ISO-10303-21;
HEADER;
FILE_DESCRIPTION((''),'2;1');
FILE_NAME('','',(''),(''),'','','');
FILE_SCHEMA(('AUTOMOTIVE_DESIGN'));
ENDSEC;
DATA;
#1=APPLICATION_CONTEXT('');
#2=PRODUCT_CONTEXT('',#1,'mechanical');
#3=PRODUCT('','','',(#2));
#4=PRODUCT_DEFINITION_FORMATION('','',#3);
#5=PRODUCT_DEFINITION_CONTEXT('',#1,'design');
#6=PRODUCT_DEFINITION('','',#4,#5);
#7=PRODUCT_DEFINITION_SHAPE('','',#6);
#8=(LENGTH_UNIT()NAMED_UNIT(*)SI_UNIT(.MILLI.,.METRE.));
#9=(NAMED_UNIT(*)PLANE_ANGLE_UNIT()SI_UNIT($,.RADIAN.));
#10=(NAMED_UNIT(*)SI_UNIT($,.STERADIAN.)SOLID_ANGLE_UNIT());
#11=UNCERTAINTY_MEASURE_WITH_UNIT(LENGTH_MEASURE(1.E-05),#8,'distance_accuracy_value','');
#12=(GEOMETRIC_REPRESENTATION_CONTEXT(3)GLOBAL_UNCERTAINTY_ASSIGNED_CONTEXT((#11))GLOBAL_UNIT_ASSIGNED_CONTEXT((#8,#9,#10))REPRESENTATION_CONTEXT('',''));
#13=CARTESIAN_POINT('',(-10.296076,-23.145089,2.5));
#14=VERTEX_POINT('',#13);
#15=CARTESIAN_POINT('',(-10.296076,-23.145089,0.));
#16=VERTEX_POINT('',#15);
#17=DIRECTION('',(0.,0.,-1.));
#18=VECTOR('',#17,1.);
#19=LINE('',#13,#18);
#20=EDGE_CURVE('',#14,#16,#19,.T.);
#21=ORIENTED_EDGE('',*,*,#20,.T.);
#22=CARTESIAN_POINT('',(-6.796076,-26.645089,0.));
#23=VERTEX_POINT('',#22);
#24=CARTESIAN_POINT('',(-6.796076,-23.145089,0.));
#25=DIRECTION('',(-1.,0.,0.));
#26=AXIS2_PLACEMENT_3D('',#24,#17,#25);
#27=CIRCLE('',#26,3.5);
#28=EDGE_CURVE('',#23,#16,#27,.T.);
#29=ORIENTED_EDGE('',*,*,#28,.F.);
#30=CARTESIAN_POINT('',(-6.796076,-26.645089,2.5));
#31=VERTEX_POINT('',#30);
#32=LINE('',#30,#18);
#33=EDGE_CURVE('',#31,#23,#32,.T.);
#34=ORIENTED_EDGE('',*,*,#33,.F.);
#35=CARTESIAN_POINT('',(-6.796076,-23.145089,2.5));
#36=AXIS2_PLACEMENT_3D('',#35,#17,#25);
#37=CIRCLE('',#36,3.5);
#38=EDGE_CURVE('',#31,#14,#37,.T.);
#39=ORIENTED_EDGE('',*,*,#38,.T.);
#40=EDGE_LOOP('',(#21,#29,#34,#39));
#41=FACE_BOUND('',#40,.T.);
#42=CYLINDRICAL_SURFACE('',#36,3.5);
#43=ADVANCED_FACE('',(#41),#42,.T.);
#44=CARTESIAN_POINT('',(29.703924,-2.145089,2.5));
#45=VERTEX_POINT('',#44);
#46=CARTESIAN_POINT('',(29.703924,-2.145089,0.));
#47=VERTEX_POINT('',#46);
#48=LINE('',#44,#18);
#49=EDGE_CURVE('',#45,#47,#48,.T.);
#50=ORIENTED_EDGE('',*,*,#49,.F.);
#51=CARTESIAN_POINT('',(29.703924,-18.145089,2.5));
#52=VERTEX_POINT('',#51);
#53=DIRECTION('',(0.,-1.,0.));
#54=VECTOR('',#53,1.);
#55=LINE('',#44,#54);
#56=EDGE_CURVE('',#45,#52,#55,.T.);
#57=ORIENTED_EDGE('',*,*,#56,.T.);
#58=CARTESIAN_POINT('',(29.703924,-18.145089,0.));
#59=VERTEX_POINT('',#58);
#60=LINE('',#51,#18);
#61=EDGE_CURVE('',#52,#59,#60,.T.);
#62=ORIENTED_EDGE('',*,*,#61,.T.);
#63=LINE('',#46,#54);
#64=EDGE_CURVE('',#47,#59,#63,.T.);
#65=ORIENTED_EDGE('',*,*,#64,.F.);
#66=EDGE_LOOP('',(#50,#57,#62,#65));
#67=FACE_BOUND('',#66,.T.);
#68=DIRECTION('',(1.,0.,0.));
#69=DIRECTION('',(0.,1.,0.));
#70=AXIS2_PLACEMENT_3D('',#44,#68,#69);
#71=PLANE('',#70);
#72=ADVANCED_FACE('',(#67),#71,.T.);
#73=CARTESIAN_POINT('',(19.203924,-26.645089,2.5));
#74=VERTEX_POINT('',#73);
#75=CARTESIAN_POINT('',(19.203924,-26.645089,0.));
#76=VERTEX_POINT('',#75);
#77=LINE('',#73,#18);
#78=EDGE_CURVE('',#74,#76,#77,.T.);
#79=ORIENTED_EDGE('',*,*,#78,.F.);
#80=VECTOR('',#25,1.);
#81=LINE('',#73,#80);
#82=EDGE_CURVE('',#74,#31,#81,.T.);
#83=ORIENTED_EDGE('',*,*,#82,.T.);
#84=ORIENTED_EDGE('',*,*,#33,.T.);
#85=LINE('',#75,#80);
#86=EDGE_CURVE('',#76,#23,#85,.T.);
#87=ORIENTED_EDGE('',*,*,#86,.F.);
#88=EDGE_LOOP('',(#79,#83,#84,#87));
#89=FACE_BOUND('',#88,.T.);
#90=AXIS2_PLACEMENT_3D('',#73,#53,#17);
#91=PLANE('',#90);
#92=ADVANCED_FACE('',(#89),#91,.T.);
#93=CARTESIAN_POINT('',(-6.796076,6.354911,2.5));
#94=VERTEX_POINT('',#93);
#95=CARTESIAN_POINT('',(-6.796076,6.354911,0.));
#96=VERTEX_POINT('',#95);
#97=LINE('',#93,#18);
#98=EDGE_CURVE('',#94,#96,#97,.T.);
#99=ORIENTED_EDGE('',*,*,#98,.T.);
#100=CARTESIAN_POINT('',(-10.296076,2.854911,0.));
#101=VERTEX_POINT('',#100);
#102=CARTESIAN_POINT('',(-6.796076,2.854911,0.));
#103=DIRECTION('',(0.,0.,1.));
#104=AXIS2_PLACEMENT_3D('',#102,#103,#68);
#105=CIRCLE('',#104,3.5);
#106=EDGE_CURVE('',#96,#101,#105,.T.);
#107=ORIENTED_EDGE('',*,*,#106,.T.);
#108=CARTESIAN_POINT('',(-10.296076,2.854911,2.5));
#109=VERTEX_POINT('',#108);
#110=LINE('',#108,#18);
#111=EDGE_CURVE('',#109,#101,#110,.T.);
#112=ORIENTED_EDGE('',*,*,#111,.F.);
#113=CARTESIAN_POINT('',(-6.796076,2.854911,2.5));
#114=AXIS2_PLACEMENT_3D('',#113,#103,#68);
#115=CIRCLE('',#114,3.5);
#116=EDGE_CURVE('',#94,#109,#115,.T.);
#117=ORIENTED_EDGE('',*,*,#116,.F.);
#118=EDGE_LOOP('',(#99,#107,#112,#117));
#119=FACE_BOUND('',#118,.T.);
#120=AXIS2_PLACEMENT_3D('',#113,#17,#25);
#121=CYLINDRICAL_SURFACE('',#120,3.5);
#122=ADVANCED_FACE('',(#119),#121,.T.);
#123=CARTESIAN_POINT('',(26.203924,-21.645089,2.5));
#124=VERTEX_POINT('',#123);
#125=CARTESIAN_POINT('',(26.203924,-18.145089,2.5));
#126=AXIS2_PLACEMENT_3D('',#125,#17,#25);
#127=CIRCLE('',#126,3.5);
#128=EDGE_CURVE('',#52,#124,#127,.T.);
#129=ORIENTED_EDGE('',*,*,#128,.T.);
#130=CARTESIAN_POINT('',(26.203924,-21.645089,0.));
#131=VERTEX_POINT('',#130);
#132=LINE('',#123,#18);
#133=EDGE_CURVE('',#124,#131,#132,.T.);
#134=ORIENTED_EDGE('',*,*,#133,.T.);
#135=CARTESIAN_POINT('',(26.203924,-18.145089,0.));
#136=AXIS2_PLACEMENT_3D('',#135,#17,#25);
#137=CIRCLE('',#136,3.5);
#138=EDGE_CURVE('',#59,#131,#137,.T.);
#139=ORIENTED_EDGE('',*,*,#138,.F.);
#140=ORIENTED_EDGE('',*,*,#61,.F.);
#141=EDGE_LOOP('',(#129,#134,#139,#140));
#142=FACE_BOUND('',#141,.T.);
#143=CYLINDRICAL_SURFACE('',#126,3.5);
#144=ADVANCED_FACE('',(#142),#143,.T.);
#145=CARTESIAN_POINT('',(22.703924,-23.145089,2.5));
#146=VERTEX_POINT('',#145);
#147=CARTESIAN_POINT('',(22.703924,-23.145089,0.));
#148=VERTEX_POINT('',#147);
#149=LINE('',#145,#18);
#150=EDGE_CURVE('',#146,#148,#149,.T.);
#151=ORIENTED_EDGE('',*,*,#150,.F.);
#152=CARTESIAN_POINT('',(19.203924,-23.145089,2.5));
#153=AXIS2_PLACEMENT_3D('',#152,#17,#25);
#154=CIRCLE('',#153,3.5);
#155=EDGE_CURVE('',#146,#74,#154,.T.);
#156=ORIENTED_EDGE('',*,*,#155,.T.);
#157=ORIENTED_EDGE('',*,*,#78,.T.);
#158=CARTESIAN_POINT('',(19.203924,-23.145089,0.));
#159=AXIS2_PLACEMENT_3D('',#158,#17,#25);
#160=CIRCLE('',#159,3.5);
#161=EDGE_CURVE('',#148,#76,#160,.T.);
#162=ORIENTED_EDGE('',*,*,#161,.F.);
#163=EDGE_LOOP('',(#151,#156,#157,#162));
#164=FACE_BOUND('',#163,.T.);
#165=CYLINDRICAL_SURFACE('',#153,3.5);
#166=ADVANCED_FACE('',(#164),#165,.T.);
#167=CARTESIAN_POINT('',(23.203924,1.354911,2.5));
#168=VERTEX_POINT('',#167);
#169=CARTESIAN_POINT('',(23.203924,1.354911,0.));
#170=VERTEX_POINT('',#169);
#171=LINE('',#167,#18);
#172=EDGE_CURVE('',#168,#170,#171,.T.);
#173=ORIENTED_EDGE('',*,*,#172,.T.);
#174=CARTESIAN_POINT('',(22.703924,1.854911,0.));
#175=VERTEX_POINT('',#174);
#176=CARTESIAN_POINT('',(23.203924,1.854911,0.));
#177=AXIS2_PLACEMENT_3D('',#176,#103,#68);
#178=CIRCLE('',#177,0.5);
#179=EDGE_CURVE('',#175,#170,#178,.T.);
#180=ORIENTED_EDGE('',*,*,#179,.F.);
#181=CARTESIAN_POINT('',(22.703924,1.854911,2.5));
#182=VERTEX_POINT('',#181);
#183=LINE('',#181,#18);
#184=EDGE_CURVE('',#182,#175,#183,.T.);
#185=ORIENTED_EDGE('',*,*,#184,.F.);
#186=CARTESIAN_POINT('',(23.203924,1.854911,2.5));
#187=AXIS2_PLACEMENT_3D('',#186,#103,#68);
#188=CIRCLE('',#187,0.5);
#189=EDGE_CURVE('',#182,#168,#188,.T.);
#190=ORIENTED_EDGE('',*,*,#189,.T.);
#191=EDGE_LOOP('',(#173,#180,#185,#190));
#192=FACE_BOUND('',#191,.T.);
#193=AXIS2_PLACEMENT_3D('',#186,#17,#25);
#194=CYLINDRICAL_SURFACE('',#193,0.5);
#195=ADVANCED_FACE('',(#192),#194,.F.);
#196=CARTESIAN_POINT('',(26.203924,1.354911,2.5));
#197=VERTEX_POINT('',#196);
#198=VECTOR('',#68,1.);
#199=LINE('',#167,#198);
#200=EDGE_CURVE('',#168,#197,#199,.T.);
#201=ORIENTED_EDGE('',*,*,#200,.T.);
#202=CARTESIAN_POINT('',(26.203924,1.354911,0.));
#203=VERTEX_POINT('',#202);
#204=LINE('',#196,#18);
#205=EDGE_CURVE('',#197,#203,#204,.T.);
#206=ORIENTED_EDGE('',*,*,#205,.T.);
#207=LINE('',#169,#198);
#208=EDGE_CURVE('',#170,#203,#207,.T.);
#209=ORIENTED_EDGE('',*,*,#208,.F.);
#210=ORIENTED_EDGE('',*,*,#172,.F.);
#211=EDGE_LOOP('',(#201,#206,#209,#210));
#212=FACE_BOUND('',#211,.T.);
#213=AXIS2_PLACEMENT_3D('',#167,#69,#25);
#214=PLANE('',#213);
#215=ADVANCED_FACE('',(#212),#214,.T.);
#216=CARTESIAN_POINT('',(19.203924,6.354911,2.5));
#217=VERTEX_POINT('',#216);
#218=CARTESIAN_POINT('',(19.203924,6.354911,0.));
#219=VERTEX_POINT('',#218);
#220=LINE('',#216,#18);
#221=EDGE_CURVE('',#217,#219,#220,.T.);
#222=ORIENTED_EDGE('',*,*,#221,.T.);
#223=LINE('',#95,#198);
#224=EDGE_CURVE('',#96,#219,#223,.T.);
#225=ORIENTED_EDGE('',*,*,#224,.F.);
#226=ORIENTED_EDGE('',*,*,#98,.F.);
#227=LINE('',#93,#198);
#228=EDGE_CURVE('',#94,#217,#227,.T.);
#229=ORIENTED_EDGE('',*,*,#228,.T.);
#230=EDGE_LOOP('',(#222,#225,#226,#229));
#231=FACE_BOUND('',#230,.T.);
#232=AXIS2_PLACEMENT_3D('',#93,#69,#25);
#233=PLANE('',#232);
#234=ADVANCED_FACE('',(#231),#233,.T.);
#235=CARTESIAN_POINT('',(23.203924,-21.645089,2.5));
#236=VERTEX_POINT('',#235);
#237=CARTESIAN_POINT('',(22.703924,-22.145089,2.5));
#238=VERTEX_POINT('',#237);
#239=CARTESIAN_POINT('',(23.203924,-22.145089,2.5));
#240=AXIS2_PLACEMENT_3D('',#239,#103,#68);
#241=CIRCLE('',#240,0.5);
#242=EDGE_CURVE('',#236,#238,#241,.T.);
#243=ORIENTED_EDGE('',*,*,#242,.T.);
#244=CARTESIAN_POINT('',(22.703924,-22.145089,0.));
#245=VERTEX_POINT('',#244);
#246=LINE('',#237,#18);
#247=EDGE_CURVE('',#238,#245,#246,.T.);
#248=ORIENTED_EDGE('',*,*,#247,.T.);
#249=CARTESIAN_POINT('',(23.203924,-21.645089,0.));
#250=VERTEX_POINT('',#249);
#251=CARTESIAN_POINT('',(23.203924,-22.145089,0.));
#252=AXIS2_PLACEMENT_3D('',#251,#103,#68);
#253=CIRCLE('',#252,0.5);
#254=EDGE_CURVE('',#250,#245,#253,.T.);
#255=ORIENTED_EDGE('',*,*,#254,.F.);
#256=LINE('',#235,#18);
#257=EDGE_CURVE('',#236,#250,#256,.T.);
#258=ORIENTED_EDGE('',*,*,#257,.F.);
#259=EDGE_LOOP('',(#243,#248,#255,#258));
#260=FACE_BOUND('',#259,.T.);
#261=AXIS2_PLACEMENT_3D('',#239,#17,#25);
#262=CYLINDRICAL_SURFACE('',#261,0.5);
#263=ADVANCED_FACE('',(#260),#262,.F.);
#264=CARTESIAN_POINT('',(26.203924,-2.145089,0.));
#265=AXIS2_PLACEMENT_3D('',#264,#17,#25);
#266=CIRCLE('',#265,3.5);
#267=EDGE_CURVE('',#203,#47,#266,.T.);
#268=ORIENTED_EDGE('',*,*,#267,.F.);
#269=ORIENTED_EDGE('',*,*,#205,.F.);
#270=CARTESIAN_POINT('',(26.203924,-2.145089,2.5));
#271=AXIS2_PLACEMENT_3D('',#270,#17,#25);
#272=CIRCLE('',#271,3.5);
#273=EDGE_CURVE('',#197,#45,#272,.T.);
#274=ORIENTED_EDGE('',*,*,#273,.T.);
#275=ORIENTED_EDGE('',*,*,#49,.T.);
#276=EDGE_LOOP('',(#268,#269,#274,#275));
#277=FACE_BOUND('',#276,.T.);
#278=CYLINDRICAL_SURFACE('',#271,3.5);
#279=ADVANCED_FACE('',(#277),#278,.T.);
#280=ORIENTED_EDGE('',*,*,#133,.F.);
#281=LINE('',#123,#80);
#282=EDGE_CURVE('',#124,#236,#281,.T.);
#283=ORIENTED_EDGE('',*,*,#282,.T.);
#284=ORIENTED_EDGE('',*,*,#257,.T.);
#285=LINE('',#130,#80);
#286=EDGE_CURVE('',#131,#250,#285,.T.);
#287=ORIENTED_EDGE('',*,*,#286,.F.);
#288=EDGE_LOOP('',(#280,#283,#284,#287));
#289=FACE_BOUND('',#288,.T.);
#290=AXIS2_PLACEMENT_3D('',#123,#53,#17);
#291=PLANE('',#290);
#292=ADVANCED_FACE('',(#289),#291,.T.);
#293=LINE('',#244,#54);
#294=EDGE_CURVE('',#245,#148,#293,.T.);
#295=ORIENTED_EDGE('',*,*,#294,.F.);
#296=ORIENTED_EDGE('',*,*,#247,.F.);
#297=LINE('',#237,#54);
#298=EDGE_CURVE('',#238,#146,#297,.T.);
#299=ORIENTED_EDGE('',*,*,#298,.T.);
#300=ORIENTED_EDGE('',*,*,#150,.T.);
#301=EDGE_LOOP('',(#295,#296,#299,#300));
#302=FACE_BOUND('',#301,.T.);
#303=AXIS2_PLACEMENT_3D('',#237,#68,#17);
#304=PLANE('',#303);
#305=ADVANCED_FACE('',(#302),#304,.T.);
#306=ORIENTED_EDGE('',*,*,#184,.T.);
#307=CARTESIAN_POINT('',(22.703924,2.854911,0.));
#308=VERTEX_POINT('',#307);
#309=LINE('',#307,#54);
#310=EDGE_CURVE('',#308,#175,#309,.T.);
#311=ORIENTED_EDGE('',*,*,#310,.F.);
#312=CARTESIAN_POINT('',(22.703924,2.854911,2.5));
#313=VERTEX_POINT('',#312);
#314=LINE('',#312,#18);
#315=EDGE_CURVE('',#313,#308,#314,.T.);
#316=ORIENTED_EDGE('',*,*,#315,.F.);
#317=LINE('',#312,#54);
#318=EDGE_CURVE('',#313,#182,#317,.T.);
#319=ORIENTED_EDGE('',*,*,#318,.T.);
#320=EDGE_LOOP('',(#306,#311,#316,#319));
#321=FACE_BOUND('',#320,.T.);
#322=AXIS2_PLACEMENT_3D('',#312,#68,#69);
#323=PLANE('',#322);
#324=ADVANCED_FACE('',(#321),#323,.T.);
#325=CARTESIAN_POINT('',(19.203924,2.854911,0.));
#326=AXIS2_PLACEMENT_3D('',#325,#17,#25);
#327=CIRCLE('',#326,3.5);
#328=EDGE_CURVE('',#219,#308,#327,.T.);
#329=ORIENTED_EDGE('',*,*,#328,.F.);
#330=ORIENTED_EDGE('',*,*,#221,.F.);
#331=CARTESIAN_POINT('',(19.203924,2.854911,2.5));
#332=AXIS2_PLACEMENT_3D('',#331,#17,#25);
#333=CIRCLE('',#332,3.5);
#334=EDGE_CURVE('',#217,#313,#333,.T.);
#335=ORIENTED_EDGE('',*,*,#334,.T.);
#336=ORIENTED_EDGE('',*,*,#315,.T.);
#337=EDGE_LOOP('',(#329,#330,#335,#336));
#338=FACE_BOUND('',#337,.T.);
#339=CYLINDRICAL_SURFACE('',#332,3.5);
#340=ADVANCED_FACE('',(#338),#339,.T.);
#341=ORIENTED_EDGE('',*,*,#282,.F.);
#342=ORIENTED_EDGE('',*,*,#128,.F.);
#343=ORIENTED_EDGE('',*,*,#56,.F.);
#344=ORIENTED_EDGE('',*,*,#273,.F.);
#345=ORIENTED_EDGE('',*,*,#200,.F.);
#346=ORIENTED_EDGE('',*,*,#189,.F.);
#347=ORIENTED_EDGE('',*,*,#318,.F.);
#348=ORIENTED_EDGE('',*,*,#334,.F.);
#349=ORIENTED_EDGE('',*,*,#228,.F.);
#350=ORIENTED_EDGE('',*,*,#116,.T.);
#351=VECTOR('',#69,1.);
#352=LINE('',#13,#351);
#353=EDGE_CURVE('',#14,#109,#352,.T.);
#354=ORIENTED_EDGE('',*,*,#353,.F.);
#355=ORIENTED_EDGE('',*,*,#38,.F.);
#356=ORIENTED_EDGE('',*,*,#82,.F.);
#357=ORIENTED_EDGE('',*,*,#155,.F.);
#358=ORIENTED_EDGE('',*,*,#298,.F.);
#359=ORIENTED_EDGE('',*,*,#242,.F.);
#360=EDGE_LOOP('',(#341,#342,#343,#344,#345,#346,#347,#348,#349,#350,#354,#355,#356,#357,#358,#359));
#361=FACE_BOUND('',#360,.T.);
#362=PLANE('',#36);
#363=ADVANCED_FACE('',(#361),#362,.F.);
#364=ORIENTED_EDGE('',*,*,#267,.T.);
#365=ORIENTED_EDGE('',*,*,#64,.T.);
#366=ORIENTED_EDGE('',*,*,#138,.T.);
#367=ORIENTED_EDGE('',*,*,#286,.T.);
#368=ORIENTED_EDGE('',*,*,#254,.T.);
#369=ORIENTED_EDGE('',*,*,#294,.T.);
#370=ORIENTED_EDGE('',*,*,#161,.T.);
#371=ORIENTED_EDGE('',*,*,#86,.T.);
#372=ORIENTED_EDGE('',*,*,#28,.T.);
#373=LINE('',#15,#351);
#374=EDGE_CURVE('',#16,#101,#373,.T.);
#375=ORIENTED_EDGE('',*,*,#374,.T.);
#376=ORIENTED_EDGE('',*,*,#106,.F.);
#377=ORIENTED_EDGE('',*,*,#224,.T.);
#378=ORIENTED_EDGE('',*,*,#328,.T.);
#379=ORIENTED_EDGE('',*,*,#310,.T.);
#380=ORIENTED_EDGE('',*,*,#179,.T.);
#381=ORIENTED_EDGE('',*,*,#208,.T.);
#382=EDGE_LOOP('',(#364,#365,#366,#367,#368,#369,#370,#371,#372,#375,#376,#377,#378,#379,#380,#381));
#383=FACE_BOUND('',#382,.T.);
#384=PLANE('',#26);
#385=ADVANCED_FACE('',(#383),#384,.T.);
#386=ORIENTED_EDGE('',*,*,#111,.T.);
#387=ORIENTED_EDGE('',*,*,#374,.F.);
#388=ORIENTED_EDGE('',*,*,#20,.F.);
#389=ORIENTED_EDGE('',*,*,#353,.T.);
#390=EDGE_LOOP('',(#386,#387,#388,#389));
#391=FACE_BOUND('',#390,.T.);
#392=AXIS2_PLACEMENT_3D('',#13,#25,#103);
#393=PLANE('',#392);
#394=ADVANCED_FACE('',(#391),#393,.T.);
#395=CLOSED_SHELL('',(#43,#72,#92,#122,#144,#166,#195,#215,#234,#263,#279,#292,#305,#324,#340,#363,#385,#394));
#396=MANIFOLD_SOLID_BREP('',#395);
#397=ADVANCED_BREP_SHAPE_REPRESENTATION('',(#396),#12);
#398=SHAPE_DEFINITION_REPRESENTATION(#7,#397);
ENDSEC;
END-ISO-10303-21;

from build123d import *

# Parameters (mm, degrees)
BOSS_EXTRUDE2_DEPTH = 2.5


with BuildPart() as part:
    # Glass_Sketch → Boss-Extrude2 (new body)
    with BuildSketch(Plane.XY):
        with BuildLine():
            Line((-10.296075652, -23.145089286), (-10.296075652, 2.854910714))
            ThreePointArc((-10.296075652, 2.854910714), (-9.270949386, 5.329784448), (-6.796075652, 6.354910714))
            Line((-6.796075652, 6.354910714), (19.203924348, 6.354910714))
            ThreePointArc((19.203924348, 6.354910714), (21.678798083, 5.329784448), (22.703924348, 2.854910714))
            Line((22.703924348, 2.854910714), (22.703924348, 1.854910714))
            ThreePointArc((22.703924348, 1.854910714), (22.850370958, 1.501357324), (23.203924348, 1.354910714))
            Line((23.203924348, 1.354910714), (26.203924348, 1.354910714))
            ThreePointArc((26.203924348, 1.354910714), (28.678798083, 0.329784448), (29.703924348, -2.145089286))
            Line((29.703924348, -2.145089286), (29.703924348, -18.145089286))
            ThreePointArc((29.703924348, -18.145089286), (28.678798083, -20.61996302), (26.203924348, -21.645089286))
            Line((26.203924348, -21.645089286), (23.203924348, -21.645089286))
            ThreePointArc((23.203924348, -21.645089286), (22.850370958, -21.791535895), (22.703924348, -22.145089286))
            Line((22.703924348, -22.145089286), (22.703924348, -23.145089286))
            ThreePointArc((22.703924348, -23.145089286), (21.678798083, -25.61996302), (19.203924348, -26.645089286))
            Line((19.203924348, -26.645089286), (-6.796075652, -26.645089286))
            ThreePointArc((-6.796075652, -26.645089286), (-9.270949386, -25.61996302), (-10.296075652, -23.145089286))
        make_face()
    extrude(amount=BOSS_EXTRUDE2_DEPTH)


solid = part.part
